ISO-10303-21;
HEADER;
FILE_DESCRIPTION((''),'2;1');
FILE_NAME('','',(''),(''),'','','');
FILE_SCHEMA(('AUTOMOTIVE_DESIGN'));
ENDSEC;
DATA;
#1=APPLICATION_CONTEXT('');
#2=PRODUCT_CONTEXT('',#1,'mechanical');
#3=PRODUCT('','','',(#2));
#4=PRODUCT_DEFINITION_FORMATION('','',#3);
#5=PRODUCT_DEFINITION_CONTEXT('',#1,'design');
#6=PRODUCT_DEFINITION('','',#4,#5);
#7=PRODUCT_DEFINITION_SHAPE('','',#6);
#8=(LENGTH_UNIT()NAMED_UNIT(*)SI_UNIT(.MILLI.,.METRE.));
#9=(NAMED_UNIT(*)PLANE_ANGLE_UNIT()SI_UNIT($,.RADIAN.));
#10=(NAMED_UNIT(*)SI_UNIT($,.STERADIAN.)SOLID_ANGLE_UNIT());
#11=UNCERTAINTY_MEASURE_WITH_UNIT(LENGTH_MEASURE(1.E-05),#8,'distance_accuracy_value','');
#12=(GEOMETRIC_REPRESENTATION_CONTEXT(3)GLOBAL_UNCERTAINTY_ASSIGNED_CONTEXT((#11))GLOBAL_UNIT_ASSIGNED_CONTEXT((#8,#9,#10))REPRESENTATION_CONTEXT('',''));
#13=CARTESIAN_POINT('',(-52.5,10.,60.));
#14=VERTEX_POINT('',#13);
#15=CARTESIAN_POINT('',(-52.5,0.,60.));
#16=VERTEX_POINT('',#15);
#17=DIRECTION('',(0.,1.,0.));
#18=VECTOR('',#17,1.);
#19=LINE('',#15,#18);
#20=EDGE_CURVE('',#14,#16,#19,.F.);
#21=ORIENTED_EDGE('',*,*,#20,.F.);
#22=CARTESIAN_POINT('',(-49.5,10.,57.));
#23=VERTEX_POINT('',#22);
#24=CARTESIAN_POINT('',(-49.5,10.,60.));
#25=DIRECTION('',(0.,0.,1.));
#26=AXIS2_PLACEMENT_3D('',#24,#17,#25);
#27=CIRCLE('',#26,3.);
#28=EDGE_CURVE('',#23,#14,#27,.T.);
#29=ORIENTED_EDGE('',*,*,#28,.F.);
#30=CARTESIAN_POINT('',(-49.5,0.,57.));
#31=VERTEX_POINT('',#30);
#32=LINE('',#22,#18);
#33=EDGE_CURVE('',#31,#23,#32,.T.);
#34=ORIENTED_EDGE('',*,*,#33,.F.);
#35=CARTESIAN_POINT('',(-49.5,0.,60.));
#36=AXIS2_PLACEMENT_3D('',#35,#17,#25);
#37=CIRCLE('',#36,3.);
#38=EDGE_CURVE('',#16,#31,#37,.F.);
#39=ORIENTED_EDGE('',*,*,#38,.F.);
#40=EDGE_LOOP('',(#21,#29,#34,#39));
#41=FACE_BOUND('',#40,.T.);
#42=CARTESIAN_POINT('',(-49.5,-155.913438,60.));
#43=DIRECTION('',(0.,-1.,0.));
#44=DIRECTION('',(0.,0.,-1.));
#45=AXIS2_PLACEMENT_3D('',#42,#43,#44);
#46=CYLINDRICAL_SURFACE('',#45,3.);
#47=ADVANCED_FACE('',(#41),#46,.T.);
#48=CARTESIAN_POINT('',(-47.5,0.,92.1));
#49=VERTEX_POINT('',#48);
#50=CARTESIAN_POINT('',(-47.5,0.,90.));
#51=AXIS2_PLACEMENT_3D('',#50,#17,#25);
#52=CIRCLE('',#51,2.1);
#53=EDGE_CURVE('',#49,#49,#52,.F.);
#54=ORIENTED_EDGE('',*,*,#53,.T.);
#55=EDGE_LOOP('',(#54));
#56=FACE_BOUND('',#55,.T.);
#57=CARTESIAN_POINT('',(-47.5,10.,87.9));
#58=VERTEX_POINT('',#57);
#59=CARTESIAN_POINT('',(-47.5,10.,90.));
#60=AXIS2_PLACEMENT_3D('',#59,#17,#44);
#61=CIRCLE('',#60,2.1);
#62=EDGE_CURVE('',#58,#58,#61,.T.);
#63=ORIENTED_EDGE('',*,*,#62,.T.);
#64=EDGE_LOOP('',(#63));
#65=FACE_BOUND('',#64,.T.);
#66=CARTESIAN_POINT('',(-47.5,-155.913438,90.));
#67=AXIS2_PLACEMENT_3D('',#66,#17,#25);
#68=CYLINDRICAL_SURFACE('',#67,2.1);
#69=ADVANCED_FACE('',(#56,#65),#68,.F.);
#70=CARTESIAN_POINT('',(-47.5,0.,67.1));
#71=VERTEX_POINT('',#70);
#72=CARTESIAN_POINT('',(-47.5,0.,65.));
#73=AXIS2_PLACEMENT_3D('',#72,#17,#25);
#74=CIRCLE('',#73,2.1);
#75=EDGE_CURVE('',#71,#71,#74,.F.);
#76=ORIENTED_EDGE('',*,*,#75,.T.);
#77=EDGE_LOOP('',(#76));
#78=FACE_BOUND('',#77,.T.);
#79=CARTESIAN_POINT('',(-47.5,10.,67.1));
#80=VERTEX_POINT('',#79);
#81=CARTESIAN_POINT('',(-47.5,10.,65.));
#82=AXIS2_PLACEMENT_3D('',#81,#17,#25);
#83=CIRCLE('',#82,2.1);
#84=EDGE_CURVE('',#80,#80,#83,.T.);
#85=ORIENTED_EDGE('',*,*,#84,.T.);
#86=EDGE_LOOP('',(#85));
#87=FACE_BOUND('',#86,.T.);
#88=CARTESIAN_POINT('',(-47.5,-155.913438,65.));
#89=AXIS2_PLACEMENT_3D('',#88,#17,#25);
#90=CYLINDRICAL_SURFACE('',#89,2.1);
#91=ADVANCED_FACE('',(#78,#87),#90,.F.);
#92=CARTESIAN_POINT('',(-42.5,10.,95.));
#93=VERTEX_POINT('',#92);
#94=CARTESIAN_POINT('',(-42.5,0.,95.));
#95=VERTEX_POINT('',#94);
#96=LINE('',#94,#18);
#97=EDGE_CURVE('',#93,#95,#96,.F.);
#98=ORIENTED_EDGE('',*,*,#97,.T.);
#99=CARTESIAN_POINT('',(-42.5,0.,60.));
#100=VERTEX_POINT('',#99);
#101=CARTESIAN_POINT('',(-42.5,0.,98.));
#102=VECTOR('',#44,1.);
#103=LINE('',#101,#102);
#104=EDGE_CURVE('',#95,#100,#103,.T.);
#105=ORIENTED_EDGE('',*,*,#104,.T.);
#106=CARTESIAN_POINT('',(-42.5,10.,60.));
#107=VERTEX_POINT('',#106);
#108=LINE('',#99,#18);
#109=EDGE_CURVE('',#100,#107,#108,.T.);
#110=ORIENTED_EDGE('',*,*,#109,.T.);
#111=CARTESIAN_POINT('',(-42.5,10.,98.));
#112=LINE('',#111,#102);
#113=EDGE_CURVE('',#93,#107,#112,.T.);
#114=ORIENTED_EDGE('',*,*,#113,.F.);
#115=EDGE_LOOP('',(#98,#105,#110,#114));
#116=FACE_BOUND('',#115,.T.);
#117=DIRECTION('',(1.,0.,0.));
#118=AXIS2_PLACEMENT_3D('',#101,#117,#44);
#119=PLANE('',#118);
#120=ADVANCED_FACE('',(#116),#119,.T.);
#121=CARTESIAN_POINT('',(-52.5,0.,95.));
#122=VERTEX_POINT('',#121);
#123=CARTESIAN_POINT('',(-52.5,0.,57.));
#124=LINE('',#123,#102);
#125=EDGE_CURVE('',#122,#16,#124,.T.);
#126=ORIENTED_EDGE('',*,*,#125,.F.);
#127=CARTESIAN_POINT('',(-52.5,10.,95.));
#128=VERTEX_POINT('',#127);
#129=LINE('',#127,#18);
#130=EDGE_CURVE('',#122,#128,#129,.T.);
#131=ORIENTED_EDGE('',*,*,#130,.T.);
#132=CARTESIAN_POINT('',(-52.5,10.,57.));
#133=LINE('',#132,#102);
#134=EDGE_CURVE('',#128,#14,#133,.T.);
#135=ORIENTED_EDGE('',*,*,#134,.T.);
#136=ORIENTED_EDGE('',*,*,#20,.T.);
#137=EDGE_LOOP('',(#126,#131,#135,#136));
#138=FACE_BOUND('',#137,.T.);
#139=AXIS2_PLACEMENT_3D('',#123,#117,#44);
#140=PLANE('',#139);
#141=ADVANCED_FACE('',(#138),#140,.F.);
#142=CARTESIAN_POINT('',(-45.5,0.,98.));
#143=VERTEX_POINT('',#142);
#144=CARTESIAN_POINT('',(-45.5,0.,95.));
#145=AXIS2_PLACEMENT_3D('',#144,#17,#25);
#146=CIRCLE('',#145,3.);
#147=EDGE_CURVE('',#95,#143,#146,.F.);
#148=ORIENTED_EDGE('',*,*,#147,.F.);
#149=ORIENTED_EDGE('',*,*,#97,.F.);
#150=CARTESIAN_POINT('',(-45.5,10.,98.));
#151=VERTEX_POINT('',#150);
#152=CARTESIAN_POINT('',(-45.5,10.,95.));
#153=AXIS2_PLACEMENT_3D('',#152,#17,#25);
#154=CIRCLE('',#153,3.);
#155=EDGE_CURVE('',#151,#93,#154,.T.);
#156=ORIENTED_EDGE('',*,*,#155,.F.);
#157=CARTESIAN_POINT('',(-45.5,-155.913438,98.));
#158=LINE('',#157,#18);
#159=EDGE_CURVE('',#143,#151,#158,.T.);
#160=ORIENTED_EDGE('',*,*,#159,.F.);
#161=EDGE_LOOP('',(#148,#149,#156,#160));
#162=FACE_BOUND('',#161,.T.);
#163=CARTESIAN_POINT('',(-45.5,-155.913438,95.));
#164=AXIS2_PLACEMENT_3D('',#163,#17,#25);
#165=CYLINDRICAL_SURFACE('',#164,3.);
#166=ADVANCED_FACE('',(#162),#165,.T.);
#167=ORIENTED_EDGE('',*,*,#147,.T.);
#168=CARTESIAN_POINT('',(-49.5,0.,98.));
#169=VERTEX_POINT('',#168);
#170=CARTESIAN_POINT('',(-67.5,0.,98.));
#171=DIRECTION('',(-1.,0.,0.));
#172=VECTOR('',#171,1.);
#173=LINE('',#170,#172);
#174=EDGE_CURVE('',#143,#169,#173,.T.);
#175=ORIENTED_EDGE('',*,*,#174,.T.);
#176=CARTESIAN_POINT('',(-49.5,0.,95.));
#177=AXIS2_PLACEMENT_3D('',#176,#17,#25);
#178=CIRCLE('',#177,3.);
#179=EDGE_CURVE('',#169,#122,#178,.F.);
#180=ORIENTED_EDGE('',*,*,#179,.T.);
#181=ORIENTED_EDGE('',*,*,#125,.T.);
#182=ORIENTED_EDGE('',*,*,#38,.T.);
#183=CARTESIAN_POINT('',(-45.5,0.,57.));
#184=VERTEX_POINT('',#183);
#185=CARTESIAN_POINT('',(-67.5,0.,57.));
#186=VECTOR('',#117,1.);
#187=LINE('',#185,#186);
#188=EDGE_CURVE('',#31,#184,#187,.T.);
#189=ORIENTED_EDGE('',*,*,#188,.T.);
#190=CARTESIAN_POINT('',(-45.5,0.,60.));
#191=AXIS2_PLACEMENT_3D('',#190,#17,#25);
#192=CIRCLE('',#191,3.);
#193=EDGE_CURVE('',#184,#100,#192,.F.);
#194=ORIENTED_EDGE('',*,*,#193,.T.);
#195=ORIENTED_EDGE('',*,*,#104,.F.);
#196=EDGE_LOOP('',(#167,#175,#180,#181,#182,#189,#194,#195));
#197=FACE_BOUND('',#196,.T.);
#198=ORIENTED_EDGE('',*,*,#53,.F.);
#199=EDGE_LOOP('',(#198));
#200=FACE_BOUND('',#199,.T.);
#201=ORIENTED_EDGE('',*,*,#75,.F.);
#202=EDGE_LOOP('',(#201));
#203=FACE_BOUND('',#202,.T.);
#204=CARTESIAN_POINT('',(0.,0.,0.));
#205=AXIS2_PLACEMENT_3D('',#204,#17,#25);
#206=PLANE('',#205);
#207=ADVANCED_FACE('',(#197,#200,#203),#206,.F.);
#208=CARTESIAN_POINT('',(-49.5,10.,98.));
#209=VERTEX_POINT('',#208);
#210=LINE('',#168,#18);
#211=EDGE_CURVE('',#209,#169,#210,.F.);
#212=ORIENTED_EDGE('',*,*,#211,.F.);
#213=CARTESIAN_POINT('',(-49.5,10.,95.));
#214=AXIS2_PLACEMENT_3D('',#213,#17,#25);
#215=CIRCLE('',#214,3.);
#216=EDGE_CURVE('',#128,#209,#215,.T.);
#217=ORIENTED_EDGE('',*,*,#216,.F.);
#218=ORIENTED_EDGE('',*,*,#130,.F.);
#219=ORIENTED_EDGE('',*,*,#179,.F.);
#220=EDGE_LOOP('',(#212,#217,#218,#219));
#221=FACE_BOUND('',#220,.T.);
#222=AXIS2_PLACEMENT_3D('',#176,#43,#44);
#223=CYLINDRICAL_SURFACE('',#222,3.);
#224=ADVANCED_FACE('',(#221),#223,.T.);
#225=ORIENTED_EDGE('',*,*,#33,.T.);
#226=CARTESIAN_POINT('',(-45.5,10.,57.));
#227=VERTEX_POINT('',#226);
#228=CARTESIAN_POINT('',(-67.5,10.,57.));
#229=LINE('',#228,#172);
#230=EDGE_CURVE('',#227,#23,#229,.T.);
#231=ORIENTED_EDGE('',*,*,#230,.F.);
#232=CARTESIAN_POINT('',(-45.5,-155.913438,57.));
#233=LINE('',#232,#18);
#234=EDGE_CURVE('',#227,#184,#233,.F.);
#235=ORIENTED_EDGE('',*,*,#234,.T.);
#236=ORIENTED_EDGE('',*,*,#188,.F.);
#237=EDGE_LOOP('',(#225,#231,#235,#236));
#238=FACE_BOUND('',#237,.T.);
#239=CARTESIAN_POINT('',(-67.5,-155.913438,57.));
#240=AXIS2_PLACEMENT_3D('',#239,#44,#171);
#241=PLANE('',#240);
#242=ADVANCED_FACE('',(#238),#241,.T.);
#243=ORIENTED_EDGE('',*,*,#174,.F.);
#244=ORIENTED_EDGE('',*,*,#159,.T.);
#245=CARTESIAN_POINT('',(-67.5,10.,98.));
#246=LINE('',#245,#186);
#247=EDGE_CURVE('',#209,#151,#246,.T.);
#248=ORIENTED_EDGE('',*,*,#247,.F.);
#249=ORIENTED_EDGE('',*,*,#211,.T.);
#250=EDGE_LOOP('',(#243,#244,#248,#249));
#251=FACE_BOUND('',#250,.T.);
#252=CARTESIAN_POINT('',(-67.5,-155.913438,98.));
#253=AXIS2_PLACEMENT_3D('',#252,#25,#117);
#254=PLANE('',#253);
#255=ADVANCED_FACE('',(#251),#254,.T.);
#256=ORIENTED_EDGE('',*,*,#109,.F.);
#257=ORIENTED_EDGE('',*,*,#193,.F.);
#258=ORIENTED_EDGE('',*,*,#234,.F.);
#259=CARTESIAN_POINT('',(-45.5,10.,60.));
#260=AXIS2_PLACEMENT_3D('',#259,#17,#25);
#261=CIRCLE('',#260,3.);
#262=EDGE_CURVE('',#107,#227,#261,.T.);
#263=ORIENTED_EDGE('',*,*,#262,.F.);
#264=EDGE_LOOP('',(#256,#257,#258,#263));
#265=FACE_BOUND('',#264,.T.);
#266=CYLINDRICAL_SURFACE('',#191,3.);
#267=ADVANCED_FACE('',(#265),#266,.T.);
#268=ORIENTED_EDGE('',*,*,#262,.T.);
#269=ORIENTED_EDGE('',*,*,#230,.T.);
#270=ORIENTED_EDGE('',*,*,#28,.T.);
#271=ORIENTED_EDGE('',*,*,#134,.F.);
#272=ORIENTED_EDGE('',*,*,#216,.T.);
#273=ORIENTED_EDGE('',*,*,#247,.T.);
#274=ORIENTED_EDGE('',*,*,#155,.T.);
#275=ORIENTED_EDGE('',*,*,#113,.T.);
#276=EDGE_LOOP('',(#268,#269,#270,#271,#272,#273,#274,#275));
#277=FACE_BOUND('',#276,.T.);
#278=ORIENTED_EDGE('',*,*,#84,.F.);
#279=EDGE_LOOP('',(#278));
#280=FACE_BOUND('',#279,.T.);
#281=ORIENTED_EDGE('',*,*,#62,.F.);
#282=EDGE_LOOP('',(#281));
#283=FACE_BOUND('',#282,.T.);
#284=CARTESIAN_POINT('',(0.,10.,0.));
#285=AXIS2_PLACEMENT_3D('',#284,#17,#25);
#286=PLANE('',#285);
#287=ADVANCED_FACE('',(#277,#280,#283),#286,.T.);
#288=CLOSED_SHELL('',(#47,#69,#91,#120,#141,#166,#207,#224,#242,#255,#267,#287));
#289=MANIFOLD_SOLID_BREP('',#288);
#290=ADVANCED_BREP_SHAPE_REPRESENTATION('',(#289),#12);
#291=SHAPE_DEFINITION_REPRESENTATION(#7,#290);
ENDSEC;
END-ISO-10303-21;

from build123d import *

# Parameters (mm, degrees)
SKETCH_1_W            = 55
SKETCH_1_H            = 32
SKETCH_1_R            = 2.1
EXTRUDE_1_DEPTH       = 10
SKETCH_2_W            = 55
SKETCH_2_H            = 4
EXTRUDE_2_DEPTH       = 10
SKETCH_4_R            = 2.1
SKETCH_4_R_2          = 1.6
EXTRUDE_3_DEPTH       = 10
SKETCH_6_R            = 2.1
EXTRUDE_4_DEPTH       = 10
SKETCH_7_W            = 15
SKETCH_7_H            = 11
CUT_EXTRUDE_1_DEPTH   = 11
EXTRUDE_5_DEPTH       = 10
SKETCH_9_R            = 1.5
CUT_EXTRUDE_2_DEPTH   = 11
SKETCH_10_OUTSIDE_W   = 301.892
SKETCH_10_OUTSIDE_H   = 218.392
SKETCH_10_OUTSIDE_W_2 = 10
SKETCH_10_OUTSIDE_H_2 = 41
CUT_EXTRUDE_3_DEPTH   = 11
FILLET_2_R            = 3


with BuildPart() as part:
    # 草图1 → 凸台-拉伸1 (new body)
    with BuildSketch(Plane(origin=(0, 0, 0), x_dir=(1, 0, 0), z_dir=(0, 1, 0))):
        Rectangle(SKETCH_1_W, SKETCH_1_H)
        with Locations((-12.5, 10)):
            Circle(SKETCH_1_R, mode=Mode.SUBTRACT)
        with Locations((12.5, 10)):
            Circle(SKETCH_1_R, mode=Mode.SUBTRACT)
        with Locations((12.5, -10)):
            Circle(SKETCH_1_R, mode=Mode.SUBTRACT)
        with Locations((-12.5, -10)):
            Circle(SKETCH_1_R, mode=Mode.SUBTRACT)
    extrude(amount=EXTRUDE_1_DEPTH)

    # 草图2 → 凸台-拉伸2 (add)
    with BuildSketch(Plane(origin=(0, 10, 0), x_dir=(1, 0, 0), z_dir=(0, 1, 0))):
        with Locations((0, -18)):
            Rectangle(SKETCH_2_W, SKETCH_2_H)
    extrude(amount=-EXTRUDE_2_DEPTH)

    # 草图4 → 凸台-拉伸3 (add)
    with BuildSketch(Plane(origin=(0, 10, 0), x_dir=(1, 0, 0), z_dir=(0, 1, 0))):
        Polygon((-27.5, -20), (-27.5, -57), (-67.5, -57), (-67.5, -98), (67.5, -98), (67.5, -57), (27.5, -57), (27.5, -20), align=None)
        with Locations((-47.5, -65)):
            Circle(SKETCH_4_R, mode=Mode.SUBTRACT)
        with Locations((-47.5, -90)):
            Circle(SKETCH_4_R, mode=Mode.SUBTRACT)
        with Locations((47.5, -90)):
            Circle(SKETCH_4_R, mode=Mode.SUBTRACT)
        with Locations((47.5, -65)):
            Circle(SKETCH_4_R, mode=Mode.SUBTRACT)
        with Locations((-62, -88)):
            Circle(SKETCH_4_R_2, mode=Mode.SUBTRACT)
        with Locations((-62, -80)):
            Circle(SKETCH_4_R_2, mode=Mode.SUBTRACT)
        with Locations((62, -88)):
            Circle(SKETCH_4_R_2, mode=Mode.SUBTRACT)
        with Locations((62, -80)):
            Circle(SKETCH_4_R_2, mode=Mode.SUBTRACT)
    extrude(amount=-EXTRUDE_3_DEPTH)

    # 草图6 → 凸台-拉伸4 (add)
    with BuildSketch(Plane(origin=(0, 10, 0), x_dir=(1, 0, 0), z_dir=(0, 1, 0))):
        Polygon((-121, -122.5), (-105, -122.5), (-83.215535743, -68), (-67.5, -68), (-67.5, -98), (-89, -142.5), (-121, -142.5), align=None)
        with Locations((-115, -127.5)):
            Circle(SKETCH_6_R, mode=Mode.SUBTRACT)
        with Locations((-95, -127.5)):
            Circle(SKETCH_6_R, mode=Mode.SUBTRACT)
        with Locations((-95, -137.5)):
            Circle(SKETCH_6_R, mode=Mode.SUBTRACT)
        with Locations((-115, -137.5)):
            Circle(SKETCH_6_R, mode=Mode.SUBTRACT)
        Polygon((67.5, -68), (83.215535743, -68), (105, -122.5), (121, -122.5), (121, -142.5), (89, -142.5), (67.5, -98), align=None)
        with Locations((115, -137.5)):
            Circle(SKETCH_6_R, mode=Mode.SUBTRACT)
        with Locations((95, -137.5)):
            Circle(SKETCH_6_R, mode=Mode.SUBTRACT)
        with Locations((95, -127.5)):
            Circle(SKETCH_6_R, mode=Mode.SUBTRACT)
        with Locations((115, -127.5)):
            Circle(SKETCH_6_R, mode=Mode.SUBTRACT)
    extrude(amount=-EXTRUDE_4_DEPTH)

    # 草图7 → 切除-拉伸1 (cut, through all)
    with BuildSketch(Plane(origin=(0, 10, 0), x_dir=(1, 0, 0), z_dir=(0, 1, 0))):
        with Locations((-60, -62.5)):
            Rectangle(SKETCH_7_W, SKETCH_7_H)
        with Locations((60, -62.5)):
            Rectangle(SKETCH_7_W, SKETCH_7_H)
    extrude(amount=-CUT_EXTRUDE_1_DEPTH, mode=Mode.SUBTRACT)

    # 草图8 → 凸台-拉伸5 (add)
    with BuildSketch(Plane(origin=(0, 10, 0), x_dir=(1, 0, 0), z_dir=(0, 1, 0))):
        Polygon((-27.5, -20), (-39.5, -57), (-27.5, -57), align=None)
        Polygon((39.5, -57), (27.5, -57), (27.5, -20), align=None)
    extrude(amount=-EXTRUDE_5_DEPTH)

    # 草图9 → 切除-拉伸2 (cut, through all)
    with BuildSketch(Plane(origin=(0, 10, 0), x_dir=(1, 0, 0), z_dir=(0, 1, 0))):
        with Locations((-30, -67)):
            Circle(SKETCH_9_R)
        with Locations((-15, -67)):
            Circle(SKETCH_9_R)
        with Locations((15, -67)):
            Circle(SKETCH_9_R)
        with Locations((30, -67)):
            Circle(SKETCH_9_R)
    extrude(amount=-CUT_EXTRUDE_2_DEPTH, mode=Mode.SUBTRACT)

    # 草图10 outside → 切除-拉伸3 (cut, through all)
    with BuildSketch(Plane(origin=(0, 10, 0), x_dir=(1, 0, 0), z_dir=(0, 1, 0))):
        with Locations((0, -63.25)):
            Rectangle(SKETCH_10_OUTSIDE_W, SKETCH_10_OUTSIDE_H)
        with Locations((-47.5, -77.5)):
            Rectangle(SKETCH_10_OUTSIDE_W_2, SKETCH_10_OUTSIDE_H_2, mode=Mode.SUBTRACT)
    extrude(amount=-CUT_EXTRUDE_3_DEPTH, mode=Mode.SUBTRACT)

    # 圆角2
    fillet_2_edges = [part.edges().sort_by_distance(p)[0] for p in [
        (-52.5, 5, 57),
        (-42.5, 5, 57),
        (-42.5, 5, 98),
        (-52.5, 5, 98),
    ]]
    fillet(fillet_2_edges, radius=FILLET_2_R)


solid = part.part
